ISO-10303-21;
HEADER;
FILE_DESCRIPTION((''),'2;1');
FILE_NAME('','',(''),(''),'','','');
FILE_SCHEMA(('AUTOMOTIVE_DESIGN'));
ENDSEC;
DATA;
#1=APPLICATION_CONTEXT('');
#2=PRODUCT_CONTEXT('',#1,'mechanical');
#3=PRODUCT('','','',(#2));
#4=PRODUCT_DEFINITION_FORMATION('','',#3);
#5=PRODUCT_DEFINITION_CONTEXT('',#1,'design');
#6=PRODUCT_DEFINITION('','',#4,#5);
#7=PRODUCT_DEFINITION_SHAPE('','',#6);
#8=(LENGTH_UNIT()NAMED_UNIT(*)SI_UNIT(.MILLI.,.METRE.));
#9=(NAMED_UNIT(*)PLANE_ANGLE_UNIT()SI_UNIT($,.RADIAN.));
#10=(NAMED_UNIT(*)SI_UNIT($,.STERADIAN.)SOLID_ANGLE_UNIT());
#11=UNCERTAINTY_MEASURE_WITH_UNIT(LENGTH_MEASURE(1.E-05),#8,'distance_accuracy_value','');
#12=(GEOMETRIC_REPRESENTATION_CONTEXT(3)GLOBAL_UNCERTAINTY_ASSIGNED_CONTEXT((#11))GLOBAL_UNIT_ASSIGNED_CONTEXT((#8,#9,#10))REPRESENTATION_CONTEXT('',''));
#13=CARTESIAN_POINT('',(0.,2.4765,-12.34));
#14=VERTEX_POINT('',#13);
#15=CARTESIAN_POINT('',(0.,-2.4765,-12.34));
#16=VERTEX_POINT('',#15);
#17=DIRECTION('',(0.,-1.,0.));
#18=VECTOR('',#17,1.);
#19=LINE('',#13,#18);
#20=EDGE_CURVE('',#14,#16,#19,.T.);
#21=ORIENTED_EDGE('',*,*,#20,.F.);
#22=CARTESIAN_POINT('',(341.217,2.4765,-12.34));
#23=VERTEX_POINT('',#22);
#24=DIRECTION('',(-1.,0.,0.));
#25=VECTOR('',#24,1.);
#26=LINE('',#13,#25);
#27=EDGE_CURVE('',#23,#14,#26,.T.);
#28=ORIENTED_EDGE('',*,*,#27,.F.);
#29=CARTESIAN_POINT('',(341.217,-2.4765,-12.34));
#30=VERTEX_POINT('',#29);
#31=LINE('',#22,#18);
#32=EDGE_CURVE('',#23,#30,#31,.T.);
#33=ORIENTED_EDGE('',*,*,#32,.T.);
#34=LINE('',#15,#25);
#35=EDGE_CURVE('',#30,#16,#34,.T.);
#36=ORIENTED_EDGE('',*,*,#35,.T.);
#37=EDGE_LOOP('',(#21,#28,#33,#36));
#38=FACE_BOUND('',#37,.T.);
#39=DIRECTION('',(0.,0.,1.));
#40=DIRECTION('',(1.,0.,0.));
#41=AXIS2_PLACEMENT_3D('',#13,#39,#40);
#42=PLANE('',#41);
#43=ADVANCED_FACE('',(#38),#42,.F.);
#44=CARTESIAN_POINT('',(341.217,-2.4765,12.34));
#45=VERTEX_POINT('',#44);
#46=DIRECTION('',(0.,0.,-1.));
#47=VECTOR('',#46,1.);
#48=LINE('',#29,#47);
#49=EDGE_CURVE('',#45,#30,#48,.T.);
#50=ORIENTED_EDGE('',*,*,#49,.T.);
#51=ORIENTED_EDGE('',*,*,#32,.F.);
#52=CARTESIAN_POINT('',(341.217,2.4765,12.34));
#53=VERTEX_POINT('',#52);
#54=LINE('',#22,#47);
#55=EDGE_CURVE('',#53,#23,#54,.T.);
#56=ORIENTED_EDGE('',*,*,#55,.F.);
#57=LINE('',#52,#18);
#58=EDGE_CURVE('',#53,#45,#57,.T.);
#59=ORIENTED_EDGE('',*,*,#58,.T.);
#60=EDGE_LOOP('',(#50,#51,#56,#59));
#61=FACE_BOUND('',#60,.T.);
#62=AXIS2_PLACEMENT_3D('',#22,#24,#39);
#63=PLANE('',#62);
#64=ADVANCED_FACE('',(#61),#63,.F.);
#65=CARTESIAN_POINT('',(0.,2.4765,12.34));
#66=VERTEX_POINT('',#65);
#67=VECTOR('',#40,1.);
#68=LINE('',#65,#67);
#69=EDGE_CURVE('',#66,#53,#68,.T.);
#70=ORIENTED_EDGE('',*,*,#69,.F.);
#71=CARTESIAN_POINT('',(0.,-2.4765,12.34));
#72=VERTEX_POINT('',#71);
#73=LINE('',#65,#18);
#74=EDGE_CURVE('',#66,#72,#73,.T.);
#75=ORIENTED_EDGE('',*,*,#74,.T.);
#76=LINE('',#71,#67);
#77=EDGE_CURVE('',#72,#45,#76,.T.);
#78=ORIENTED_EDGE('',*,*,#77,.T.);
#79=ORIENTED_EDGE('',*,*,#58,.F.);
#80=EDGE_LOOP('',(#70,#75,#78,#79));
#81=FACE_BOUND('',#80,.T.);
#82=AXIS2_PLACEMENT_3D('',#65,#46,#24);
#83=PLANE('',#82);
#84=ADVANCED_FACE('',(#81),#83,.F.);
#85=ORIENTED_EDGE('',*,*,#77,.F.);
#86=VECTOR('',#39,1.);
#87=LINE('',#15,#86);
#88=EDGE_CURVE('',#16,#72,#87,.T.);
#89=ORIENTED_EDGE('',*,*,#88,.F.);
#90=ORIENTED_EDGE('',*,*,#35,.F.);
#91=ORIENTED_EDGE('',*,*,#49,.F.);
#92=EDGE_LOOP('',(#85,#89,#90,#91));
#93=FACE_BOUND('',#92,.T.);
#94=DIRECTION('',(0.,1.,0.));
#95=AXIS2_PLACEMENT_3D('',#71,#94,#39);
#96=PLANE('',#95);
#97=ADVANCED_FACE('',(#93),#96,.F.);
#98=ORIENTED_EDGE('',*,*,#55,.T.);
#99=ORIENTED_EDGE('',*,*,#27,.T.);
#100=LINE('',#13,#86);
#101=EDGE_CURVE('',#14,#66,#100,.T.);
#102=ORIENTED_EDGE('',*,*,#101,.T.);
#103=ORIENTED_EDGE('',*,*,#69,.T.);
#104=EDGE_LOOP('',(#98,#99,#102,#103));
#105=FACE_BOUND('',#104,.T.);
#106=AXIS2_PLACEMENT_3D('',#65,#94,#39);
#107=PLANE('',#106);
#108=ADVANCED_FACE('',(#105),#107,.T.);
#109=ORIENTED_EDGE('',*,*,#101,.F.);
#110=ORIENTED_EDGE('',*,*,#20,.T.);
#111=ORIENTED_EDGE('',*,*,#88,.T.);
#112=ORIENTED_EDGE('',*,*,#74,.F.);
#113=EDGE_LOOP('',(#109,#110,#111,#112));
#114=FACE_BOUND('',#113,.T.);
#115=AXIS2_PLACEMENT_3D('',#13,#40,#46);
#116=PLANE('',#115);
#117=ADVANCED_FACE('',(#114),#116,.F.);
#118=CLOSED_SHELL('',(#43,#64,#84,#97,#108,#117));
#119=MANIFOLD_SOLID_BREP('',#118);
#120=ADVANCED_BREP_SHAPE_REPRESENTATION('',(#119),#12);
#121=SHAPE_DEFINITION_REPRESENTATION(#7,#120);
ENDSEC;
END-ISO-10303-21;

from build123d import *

# Parameters (mm, degrees)
SKETCH1_W      = 341.217
SKETCH1_H      = 24.68
EXTRUDE1_DEPTH = 2.4765


with BuildPart() as part:
    # Sketch1 → Extrude1 (new body, symmetric)
    with BuildSketch(Plane(origin=(0, 0, 0), x_dir=(1, 0, 0), z_dir=(0, 1, 0))):
        with Locations((170.6085, 0)):
            Rectangle(SKETCH1_W, SKETCH1_H)
    extrude(amount=EXTRUDE1_DEPTH, both=True)


solid = part.part
